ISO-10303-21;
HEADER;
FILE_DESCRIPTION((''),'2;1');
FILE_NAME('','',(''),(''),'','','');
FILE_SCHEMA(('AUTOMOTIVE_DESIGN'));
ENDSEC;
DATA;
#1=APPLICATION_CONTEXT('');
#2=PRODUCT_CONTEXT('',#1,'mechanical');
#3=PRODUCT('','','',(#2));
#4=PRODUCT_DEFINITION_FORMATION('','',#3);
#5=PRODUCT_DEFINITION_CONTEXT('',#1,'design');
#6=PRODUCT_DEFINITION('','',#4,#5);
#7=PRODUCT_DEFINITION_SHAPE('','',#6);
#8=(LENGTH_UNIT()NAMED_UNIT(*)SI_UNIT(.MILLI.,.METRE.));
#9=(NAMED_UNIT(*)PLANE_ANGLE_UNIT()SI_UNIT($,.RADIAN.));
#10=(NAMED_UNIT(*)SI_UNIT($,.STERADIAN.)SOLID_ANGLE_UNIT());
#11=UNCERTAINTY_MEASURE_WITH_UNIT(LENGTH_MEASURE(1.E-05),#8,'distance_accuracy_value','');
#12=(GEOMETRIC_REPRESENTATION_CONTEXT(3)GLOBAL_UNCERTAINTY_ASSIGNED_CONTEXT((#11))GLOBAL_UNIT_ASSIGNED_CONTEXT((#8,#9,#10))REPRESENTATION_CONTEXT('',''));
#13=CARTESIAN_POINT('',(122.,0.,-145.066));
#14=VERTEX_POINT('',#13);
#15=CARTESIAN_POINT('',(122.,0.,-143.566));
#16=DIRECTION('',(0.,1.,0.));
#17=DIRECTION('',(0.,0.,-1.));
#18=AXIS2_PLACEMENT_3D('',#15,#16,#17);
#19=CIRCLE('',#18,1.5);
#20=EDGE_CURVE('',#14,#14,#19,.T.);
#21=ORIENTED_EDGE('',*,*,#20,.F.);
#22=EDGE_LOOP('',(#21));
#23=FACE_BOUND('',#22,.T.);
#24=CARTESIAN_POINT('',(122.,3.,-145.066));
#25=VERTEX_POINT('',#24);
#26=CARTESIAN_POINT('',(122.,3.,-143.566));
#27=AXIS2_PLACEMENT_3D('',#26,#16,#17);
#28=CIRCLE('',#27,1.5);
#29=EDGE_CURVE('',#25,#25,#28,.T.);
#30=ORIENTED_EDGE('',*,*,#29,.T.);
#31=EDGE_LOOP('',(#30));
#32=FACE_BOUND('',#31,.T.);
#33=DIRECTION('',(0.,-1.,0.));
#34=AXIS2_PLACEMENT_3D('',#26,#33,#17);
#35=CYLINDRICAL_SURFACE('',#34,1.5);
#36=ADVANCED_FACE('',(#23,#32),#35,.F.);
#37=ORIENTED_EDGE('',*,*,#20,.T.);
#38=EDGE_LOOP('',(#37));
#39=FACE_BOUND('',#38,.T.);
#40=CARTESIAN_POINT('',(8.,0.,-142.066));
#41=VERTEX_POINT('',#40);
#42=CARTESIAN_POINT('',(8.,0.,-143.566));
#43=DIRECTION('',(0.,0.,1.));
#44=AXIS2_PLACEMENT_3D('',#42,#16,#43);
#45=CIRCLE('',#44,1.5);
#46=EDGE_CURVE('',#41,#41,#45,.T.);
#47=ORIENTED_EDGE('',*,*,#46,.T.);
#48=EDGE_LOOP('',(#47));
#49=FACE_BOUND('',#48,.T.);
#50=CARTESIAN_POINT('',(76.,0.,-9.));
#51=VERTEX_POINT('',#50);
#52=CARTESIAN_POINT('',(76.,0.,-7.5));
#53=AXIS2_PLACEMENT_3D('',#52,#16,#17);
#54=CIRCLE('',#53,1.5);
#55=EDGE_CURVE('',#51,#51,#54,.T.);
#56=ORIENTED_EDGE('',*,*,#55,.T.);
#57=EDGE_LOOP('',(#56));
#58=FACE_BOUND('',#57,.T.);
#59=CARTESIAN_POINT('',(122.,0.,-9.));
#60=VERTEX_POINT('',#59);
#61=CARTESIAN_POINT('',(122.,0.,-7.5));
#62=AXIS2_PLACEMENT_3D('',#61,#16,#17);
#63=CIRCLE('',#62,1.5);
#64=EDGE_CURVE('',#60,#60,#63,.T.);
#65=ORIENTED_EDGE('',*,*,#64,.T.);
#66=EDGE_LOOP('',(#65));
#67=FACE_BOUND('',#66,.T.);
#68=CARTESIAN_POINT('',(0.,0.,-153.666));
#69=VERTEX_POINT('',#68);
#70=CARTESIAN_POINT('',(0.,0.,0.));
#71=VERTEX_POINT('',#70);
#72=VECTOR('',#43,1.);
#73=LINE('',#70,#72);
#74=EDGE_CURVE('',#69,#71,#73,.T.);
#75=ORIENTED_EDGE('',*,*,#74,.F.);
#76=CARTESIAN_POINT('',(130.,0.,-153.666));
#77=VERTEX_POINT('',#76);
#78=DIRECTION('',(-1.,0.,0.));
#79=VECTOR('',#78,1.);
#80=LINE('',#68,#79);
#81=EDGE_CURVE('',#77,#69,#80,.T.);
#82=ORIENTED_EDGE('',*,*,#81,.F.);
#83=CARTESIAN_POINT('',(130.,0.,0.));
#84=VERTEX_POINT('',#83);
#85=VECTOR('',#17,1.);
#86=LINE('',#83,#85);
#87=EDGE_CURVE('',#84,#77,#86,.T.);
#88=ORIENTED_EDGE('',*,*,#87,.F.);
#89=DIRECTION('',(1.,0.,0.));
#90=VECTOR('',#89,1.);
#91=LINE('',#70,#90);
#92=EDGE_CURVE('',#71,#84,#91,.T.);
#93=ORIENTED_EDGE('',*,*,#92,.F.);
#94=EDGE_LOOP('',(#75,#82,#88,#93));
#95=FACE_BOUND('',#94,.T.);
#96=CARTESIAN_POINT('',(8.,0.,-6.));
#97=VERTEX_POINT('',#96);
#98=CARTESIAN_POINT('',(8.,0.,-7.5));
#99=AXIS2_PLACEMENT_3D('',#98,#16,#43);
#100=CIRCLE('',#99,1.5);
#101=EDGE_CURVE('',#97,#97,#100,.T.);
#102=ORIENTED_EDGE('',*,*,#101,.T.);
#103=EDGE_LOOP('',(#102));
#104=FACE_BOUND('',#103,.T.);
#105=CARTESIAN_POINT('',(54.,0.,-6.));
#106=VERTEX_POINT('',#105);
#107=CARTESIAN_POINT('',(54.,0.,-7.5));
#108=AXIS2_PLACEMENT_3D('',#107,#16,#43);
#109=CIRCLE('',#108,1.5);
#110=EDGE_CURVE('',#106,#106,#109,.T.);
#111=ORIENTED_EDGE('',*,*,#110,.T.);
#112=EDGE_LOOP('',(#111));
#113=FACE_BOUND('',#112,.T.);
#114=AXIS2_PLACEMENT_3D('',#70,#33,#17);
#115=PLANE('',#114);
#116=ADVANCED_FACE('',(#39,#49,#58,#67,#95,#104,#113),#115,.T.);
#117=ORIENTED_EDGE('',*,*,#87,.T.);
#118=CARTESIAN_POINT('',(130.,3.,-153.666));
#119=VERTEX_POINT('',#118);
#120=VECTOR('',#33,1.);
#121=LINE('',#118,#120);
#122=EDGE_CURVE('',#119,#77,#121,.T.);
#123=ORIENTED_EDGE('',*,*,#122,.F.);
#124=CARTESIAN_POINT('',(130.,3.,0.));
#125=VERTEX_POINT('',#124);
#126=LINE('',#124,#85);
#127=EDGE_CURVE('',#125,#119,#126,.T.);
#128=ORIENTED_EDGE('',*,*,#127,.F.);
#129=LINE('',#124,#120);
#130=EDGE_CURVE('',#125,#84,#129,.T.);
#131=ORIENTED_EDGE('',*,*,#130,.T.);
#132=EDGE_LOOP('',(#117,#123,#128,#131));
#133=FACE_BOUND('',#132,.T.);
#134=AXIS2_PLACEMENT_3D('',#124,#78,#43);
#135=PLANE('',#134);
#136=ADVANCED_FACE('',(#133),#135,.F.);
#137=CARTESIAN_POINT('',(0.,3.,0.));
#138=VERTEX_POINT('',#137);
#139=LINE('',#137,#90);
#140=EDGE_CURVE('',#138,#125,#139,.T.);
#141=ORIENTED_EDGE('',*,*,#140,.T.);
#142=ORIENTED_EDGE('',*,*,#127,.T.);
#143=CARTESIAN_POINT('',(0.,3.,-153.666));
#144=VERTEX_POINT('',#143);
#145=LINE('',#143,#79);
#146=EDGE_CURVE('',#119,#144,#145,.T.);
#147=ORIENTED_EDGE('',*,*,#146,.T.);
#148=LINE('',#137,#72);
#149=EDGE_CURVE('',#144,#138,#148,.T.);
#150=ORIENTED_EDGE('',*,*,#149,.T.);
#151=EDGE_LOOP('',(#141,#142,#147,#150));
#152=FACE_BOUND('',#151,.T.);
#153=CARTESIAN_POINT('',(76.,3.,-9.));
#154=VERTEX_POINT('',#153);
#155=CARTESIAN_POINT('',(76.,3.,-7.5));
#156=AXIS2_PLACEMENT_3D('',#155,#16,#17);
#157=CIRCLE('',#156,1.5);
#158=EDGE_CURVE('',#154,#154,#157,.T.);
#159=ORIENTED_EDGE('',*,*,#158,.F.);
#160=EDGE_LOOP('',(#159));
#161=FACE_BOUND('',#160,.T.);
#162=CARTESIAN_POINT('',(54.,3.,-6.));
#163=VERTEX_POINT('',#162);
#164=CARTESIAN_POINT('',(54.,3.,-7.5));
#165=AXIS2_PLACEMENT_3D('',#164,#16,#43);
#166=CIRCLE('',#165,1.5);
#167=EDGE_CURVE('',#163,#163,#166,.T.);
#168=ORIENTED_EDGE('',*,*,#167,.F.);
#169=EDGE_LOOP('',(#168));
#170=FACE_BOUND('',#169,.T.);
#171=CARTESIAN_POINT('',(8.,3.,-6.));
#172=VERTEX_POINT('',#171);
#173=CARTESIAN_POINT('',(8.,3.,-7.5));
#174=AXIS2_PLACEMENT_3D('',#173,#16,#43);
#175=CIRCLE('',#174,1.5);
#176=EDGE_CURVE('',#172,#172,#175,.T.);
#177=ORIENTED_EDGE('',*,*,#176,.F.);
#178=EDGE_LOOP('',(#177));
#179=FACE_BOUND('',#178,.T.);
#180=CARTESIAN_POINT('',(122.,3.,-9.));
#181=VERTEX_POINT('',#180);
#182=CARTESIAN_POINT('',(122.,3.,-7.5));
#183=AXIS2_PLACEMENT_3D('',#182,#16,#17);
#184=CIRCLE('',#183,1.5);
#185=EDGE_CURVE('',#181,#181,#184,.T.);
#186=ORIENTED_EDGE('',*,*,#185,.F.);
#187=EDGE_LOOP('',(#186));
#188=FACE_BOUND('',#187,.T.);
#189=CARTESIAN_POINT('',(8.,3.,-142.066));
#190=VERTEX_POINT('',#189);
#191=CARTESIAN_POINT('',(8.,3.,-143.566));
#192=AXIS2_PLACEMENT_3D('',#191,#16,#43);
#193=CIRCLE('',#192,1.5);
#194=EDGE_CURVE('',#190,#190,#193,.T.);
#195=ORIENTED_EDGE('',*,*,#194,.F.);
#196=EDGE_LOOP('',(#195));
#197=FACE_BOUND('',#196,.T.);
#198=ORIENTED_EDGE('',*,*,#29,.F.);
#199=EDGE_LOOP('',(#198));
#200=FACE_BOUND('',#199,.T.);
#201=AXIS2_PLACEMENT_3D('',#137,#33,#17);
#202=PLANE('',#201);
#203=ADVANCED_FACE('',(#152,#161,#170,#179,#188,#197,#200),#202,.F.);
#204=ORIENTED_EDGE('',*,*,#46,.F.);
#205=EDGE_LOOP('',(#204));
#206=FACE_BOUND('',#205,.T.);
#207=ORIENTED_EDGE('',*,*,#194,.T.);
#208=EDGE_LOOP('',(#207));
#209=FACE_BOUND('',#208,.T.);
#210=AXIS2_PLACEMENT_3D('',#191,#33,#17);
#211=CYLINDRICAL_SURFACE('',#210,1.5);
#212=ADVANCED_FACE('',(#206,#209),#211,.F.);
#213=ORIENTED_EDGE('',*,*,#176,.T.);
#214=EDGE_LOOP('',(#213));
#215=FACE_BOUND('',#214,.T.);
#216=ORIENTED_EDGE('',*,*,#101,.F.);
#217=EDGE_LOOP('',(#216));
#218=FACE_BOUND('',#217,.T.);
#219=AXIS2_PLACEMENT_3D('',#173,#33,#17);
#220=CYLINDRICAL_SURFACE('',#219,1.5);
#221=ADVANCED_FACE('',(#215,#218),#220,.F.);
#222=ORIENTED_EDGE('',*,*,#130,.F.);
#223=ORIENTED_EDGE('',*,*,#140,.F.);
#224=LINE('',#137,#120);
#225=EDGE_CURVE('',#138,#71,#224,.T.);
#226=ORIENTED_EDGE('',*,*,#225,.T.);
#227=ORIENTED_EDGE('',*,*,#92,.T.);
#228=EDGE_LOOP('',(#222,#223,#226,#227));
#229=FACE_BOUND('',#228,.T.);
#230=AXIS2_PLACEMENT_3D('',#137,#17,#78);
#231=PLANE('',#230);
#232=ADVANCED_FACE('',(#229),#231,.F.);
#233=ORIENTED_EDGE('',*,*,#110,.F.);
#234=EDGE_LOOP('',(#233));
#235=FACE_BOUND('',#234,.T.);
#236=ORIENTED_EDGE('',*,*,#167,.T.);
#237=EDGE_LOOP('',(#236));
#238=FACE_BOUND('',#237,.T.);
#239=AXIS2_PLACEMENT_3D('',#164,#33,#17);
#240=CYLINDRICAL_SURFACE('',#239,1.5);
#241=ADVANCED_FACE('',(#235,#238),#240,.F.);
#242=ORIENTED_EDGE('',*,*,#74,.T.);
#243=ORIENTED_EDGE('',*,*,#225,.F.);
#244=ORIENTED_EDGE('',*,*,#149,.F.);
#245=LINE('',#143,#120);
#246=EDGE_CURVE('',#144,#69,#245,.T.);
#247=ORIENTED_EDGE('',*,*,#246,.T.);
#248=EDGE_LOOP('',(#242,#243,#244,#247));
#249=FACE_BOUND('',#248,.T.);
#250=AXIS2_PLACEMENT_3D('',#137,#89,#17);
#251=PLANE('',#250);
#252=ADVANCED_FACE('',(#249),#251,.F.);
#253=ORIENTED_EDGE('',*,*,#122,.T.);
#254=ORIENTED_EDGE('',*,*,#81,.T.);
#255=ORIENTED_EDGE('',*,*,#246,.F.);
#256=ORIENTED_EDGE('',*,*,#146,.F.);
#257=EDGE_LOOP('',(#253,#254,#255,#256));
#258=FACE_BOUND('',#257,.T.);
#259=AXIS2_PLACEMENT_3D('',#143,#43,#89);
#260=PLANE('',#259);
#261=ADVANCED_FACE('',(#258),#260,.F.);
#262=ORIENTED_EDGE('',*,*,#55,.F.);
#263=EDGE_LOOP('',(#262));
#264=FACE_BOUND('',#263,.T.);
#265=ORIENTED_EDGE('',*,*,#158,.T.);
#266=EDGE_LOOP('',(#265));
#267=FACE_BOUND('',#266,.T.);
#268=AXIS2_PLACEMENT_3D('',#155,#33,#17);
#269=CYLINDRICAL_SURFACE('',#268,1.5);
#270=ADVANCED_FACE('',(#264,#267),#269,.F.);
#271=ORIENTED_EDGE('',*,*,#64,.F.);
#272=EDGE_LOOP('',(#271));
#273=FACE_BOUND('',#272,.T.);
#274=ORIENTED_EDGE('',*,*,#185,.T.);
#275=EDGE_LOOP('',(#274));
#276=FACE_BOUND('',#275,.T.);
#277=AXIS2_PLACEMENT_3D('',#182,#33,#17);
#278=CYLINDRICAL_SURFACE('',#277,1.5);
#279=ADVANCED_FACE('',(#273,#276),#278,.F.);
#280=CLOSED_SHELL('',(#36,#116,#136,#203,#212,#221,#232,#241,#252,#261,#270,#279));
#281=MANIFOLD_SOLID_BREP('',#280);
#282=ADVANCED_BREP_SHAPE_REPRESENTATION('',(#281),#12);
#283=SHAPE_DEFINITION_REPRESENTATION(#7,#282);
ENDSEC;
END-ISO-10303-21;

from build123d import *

# Parameters (mm, degrees)
SKETCH2_W           = 130
SKETCH2_H           = 153.666
SKETCH2_R           = 1.5
BOSS_EXTRUDE1_DEPTH = 3


with BuildPart() as part:
    # Sketch2 → Boss-Extrude1 (new body)
    with BuildSketch(Plane(origin=(0, 0, 0), x_dir=(1, 0, 0), z_dir=(0, 1, 0))):
        with Locations((65, 76.833)):
            Rectangle(SKETCH2_W, SKETCH2_H)
        with Locations(Location((8, 143.566, 0), (0, 0, 270))):
            Circle(SKETCH2_R, mode=Mode.SUBTRACT)
        with Locations(Location((8, 7.5, 0), (0, 0, 270))):
            Circle(SKETCH2_R, mode=Mode.SUBTRACT)
        with Locations(Location((54, 7.5, 0), (0, 0, 270))):
            Circle(SKETCH2_R, mode=Mode.SUBTRACT)
        with Locations(Location((122, 7.5, 0), (0, 0, 90))):
            Circle(SKETCH2_R, mode=Mode.SUBTRACT)
        with Locations(Location((76, 7.5, 0), (0, 0, 90))):
            Circle(SKETCH2_R, mode=Mode.SUBTRACT)
        with Locations(Location((122, 143.566, 0), (0, 0, 90))):
            Circle(SKETCH2_R, mode=Mode.SUBTRACT)
    extrude(amount=BOSS_EXTRUDE1_DEPTH)


solid = part.part
